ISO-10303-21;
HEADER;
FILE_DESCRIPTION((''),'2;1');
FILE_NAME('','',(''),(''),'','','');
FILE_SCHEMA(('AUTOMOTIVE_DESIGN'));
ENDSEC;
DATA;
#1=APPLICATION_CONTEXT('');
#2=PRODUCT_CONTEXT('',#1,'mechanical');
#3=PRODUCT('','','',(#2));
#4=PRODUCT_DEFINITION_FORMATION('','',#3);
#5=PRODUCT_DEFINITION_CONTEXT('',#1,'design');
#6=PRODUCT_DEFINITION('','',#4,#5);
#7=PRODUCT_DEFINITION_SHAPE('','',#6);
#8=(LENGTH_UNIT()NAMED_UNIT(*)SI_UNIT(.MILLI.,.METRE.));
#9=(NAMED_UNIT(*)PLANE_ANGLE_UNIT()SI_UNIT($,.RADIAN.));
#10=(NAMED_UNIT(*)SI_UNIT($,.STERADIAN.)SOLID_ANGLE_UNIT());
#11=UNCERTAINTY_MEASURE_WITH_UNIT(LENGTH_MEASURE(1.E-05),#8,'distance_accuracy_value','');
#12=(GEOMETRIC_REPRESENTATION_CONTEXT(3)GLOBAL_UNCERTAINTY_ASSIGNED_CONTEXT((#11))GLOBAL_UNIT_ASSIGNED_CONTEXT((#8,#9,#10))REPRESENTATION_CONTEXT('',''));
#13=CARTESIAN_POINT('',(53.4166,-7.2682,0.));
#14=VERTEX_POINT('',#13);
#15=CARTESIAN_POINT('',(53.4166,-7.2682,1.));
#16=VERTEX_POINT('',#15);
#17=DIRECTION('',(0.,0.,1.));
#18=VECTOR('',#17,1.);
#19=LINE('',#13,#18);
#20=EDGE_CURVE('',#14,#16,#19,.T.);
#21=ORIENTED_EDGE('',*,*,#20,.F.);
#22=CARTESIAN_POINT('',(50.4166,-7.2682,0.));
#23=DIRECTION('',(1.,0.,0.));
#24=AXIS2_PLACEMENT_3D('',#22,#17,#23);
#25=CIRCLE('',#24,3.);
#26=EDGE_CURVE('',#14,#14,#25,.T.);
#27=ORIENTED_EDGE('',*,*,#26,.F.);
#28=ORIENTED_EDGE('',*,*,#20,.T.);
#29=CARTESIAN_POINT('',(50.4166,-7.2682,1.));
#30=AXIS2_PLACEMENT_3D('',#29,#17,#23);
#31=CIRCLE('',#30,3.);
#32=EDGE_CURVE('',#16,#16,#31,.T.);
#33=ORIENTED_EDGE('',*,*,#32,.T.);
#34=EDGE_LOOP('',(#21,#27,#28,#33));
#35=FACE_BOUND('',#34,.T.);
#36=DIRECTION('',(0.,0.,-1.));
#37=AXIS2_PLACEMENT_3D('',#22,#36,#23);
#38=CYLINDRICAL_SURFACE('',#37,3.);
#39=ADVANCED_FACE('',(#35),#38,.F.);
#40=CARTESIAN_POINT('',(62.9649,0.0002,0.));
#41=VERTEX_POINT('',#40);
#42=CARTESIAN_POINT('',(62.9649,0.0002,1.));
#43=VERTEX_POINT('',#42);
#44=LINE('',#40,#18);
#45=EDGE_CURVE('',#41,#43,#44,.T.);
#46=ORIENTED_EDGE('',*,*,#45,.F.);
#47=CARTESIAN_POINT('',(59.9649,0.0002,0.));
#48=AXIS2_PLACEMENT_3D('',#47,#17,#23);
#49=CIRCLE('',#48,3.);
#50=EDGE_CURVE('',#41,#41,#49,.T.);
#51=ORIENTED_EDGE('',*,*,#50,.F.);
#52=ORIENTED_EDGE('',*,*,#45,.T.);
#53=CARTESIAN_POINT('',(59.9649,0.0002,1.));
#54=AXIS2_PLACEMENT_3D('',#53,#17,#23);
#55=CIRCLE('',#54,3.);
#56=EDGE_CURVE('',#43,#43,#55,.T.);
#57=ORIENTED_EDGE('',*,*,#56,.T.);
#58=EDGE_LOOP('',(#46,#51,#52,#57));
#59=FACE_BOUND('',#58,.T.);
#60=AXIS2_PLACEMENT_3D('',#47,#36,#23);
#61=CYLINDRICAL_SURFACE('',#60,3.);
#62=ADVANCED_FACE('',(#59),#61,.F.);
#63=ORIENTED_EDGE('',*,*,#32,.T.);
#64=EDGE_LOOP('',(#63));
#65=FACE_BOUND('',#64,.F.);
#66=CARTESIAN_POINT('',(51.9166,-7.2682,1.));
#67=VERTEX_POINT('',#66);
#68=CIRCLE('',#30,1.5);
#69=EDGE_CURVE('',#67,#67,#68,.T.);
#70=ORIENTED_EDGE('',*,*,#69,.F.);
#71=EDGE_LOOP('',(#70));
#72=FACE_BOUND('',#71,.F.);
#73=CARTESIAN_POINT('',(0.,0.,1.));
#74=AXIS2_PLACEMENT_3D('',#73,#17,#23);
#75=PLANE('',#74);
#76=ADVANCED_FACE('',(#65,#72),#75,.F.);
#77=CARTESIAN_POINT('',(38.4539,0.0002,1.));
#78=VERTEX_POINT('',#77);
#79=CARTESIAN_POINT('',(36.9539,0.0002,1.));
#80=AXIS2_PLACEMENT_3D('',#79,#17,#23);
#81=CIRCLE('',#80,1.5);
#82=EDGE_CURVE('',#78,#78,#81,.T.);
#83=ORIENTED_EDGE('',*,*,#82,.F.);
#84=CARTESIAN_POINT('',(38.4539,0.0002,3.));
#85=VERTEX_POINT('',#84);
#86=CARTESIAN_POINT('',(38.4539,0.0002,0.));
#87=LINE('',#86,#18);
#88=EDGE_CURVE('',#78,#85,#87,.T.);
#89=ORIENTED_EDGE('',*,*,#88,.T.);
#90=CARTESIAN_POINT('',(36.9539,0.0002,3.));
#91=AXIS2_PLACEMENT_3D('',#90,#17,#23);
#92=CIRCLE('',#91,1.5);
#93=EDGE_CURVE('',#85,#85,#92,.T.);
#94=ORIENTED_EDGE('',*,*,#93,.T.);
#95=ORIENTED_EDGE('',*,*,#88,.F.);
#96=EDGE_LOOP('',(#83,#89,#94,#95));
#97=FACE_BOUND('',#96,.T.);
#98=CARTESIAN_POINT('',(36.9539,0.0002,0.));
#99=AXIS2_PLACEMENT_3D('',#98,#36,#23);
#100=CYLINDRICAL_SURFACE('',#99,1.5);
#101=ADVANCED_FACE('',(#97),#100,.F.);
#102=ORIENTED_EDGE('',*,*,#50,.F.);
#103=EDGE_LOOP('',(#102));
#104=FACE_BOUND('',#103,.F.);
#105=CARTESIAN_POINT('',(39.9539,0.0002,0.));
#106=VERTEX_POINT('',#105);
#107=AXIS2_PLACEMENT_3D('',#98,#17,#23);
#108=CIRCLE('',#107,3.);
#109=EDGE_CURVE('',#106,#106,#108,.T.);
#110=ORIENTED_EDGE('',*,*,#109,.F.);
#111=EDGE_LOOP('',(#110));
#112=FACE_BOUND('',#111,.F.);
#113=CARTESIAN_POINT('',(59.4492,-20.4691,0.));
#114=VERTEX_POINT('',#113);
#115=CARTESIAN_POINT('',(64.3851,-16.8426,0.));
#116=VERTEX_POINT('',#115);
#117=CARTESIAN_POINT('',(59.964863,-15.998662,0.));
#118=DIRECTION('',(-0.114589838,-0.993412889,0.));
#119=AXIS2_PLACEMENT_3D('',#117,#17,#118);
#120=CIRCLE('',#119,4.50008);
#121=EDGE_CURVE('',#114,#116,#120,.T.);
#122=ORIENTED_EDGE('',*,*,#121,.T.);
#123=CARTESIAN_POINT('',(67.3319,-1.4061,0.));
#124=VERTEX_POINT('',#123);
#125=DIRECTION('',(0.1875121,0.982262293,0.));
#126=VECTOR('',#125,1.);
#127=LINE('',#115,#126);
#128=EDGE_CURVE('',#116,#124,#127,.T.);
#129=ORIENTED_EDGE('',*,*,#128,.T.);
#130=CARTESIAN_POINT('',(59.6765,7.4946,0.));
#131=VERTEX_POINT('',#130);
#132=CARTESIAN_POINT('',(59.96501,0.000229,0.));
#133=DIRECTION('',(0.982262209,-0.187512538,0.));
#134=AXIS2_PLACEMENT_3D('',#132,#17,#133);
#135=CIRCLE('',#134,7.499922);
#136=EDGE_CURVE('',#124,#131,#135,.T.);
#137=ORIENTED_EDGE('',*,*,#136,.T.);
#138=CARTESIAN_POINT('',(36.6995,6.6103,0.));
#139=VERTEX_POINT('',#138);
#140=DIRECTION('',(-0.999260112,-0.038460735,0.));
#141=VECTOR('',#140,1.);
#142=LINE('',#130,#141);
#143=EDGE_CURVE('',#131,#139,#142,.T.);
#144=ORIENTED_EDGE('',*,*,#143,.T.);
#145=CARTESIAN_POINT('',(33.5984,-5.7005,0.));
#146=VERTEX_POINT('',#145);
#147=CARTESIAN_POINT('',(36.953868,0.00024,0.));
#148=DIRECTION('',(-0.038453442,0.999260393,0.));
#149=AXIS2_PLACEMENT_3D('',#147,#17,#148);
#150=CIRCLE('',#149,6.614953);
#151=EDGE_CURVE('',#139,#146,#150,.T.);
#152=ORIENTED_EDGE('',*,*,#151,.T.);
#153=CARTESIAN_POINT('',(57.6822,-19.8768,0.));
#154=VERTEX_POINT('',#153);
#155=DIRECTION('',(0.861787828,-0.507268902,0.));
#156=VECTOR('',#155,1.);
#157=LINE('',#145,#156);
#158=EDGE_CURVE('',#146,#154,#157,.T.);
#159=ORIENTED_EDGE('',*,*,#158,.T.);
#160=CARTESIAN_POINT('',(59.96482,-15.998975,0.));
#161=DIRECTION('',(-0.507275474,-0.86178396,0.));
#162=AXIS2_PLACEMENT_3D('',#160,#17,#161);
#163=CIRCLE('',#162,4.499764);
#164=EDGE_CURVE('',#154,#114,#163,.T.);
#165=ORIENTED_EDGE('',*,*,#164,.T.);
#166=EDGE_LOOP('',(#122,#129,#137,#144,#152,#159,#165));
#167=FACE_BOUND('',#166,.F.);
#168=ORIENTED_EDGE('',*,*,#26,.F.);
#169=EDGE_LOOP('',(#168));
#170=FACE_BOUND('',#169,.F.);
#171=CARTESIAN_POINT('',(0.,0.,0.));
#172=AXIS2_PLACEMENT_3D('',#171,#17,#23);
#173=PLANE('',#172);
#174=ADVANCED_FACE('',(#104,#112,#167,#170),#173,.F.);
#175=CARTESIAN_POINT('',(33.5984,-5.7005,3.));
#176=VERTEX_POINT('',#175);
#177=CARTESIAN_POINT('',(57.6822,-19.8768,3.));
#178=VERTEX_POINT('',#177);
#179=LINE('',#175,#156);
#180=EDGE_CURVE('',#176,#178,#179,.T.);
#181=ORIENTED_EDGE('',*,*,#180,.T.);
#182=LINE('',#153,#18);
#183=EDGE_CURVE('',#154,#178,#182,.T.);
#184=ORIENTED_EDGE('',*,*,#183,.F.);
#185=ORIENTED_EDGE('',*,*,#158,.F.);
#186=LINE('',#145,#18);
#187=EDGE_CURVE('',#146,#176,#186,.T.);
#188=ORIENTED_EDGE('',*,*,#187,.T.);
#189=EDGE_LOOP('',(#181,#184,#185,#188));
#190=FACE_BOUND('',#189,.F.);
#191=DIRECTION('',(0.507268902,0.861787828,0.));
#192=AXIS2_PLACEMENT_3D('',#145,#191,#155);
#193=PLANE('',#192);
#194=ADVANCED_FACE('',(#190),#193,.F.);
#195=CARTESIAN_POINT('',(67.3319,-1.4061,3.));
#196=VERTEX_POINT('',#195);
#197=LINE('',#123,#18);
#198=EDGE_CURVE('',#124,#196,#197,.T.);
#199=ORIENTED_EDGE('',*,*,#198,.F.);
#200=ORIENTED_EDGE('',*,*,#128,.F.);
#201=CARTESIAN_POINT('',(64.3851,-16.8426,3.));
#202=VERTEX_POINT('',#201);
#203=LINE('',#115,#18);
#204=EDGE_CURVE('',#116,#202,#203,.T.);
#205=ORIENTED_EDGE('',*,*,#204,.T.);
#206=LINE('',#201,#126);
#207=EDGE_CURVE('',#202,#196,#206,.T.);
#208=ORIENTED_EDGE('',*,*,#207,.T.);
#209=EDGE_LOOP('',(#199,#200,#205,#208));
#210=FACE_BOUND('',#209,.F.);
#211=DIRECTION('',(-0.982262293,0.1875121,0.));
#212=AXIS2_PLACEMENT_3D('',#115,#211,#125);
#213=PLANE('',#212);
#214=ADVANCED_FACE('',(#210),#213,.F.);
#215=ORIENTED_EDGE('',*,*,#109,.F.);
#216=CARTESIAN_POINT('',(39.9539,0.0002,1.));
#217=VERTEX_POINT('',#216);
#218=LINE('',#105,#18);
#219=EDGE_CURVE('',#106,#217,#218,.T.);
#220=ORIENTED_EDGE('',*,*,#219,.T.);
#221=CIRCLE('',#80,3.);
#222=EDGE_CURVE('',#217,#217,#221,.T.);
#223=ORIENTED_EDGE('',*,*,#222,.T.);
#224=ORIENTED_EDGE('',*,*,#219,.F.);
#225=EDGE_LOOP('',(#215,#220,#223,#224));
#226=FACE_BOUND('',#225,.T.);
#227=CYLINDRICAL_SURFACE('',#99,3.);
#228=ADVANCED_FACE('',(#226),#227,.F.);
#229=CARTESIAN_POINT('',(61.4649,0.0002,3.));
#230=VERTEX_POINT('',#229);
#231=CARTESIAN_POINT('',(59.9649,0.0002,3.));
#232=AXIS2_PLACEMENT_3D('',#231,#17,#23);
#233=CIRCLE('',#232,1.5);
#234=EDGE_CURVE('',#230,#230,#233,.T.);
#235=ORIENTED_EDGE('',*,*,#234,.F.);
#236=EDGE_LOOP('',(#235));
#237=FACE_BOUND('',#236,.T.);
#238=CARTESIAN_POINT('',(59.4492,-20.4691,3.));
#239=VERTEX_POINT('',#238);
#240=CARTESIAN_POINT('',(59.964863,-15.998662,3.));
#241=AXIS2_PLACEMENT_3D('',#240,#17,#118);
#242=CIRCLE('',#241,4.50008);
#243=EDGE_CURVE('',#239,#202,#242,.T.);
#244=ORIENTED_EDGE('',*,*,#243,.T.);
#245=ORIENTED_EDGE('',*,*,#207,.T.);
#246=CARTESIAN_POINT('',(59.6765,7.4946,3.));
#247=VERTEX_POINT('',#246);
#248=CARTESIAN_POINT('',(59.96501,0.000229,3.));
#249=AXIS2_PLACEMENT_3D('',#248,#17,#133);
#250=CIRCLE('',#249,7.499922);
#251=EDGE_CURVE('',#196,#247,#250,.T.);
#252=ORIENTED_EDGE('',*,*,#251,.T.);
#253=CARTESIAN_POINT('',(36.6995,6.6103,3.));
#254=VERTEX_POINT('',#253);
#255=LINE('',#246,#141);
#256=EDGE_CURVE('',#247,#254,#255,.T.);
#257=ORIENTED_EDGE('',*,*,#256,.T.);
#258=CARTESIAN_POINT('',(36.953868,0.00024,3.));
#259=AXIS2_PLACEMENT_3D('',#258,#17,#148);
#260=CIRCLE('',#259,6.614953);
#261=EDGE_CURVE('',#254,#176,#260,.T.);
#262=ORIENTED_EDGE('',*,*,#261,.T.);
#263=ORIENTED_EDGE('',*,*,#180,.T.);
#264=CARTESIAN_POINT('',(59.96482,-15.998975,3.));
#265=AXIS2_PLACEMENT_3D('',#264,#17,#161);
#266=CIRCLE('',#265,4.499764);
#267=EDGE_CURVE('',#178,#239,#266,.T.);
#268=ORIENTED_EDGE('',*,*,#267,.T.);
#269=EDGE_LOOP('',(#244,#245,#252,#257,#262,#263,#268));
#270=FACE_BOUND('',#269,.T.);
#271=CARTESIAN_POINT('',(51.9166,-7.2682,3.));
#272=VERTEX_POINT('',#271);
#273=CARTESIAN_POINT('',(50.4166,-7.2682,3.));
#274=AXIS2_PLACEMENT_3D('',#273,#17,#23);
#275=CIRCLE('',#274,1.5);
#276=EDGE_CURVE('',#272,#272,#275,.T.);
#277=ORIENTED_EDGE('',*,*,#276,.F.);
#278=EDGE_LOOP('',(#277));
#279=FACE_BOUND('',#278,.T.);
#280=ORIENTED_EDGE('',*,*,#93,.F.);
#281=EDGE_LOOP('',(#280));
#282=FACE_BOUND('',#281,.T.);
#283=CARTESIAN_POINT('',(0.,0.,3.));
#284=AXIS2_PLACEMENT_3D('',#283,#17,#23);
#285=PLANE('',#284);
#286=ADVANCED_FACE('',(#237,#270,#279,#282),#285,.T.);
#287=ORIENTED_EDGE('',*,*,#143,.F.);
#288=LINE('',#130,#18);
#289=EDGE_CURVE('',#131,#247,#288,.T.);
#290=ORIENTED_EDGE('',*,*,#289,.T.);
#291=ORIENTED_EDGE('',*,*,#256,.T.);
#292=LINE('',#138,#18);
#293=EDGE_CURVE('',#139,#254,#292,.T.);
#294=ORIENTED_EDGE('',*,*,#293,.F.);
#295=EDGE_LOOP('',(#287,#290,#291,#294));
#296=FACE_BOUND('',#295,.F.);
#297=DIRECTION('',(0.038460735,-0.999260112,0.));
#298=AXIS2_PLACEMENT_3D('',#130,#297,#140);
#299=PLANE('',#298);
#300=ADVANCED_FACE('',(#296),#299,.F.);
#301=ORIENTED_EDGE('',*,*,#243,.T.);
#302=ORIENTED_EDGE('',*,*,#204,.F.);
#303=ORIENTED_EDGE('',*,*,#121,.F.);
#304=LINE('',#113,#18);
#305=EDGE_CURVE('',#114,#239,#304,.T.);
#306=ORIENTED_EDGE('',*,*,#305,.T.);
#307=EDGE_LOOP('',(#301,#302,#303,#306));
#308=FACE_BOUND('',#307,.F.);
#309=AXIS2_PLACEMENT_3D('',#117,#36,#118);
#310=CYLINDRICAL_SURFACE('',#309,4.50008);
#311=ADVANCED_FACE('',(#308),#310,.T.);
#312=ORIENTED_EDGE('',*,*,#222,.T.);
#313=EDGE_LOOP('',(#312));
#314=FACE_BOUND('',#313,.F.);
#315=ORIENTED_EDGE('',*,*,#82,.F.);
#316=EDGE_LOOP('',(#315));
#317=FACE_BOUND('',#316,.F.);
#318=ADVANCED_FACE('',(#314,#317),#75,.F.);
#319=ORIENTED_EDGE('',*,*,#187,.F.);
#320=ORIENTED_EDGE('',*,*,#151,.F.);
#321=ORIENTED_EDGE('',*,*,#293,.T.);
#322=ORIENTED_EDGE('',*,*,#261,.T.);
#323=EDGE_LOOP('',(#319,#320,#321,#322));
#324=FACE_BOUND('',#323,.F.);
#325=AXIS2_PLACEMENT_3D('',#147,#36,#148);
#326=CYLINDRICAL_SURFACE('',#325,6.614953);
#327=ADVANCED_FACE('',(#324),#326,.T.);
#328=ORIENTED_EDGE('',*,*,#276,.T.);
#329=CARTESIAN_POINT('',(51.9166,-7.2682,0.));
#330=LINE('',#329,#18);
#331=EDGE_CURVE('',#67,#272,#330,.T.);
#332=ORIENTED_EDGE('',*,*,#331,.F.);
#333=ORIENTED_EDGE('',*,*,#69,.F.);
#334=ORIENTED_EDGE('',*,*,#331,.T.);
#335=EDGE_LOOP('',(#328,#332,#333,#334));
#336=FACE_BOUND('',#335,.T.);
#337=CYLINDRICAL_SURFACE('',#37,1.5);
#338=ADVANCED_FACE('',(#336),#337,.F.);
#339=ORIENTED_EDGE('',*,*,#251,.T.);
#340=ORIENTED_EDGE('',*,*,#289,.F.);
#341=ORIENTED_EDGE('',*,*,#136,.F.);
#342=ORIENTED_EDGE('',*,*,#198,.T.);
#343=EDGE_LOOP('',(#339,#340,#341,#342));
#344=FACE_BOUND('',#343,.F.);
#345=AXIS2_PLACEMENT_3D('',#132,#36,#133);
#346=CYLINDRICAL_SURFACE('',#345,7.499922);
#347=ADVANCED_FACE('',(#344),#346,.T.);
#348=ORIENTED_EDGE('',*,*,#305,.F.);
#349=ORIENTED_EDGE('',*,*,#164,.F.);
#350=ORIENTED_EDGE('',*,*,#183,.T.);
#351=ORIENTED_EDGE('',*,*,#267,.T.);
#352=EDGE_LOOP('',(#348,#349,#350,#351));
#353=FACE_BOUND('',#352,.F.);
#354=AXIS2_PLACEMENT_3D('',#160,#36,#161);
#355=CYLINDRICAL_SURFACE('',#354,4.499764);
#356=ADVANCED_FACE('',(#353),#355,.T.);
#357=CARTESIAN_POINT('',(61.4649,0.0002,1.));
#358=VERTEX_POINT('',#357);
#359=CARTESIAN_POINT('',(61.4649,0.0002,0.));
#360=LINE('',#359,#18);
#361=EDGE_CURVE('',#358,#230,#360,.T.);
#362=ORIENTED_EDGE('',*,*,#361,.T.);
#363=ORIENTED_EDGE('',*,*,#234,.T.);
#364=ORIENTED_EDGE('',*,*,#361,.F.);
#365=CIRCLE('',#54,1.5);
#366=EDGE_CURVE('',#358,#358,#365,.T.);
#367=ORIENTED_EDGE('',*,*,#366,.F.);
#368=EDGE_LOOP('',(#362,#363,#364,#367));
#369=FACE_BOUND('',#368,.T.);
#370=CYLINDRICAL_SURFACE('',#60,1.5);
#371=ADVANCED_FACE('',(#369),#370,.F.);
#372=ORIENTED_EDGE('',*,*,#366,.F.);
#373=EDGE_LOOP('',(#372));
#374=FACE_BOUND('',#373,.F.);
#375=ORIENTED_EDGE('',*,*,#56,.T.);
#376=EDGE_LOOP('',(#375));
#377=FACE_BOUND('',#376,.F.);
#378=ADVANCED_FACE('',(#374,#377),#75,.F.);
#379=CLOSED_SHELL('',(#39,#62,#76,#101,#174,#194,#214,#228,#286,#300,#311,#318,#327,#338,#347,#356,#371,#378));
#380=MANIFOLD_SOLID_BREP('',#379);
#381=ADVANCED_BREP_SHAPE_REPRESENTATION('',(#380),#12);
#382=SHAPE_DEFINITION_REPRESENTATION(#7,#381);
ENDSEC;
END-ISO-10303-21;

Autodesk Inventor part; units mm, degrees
ref_plane "YZ Plane" through (0, 0, 0) normal (1, 0, 0) x (0, 1, 0)
ref_plane "XZ Plane" through (0, 0, 0) normal (0, 1, 0) x (-1, 0, 0)
ref_plane "XY Plane" through (0, 0, 0) normal (0, 0, 1) x (1, 0, 0)
sketch "スケッチ1" plane through (0, 0, 0) normal (0, 0, 1) x (1, 0, 0)
  circle A0 centre (59.9649, 0.0002) radius 1.5
  circle A1 centre (9.9649, 0.0002) radius 2
  circle A2 centre (-5.0351, 0.0002) radius 2
  circle A3 centre (50.4166, -7.2682) radius 1.5
  circle A4 centre (7.9649, -9.9998) radius 1.5
  arc A5 (-5.2274, 4.9965) -> (-7.9614, -4.054) centre (-5.0351, 0.0002) ccw
  line L0 (-7.9614, -4.054) -> (5.3313, -13.6486)
  arc A6 (5.3313, -13.6486) -> (7.4492, -14.4702) centre (7.9649, -9.9998) ccw
  line L1 (7.4492, -14.4702) -> (59.4492, -20.4691)
  arc A7 (59.4492, -20.4691) -> (64.3851, -16.8426) centre (59.9649, -15.9988) ccw
  line L2 (64.3851, -16.8426) -> (67.3319, -1.4061)
  arc A8 (67.3319, -1.4061) -> (59.6765, 7.4946) centre (59.9649, 0.0002) ccw
  line L3 (59.6765, 7.4946) -> (-5.2274, 4.9965)
  circle A9 centre (59.9649, 0.0002) radius 3
  circle A10 centre (50.4166, -7.2682) radius 3
  circle A11 centre (7.9649, -9.9998) radius 3
  circle A12 centre (36.9539, 0.0002) radius 1.5
  circle A13 centre (36.9539, 0.0002) radius 3
  arc A14 (36.6995, 6.6103) -> (33.5984, -5.7005) centre (36.9539, 0.0002) ccw
  line L4 (7.4492, -14.4702) -> (59.4492, -20.4691)
  arc A15 (57.6822, -19.8768) -> (59.4492, -20.4691) centre (59.9649, -15.9988) ccw
  line L5 (33.5984, -5.7005) -> (57.6822, -19.8768)
  line L6 (59.6765, 7.4946) -> (-5.2274, 4.9965)
  point P0 (0, 0)
  point P1 (0, 0)
  dimension "d0" = 6
  dimension "d1" = 6
  dimension "d2" = 6
  dimension "d3" = 6
extrude "押し出し1" add sketch "スケッチ1" along normal blind 3 contours L3 A8 L2 A7 A15 L5 A14 | A9 | A10 | A13
extrude "押し出し2" cut sketch "スケッチ1" along normal blind 1 contours A9 | A10 | A13
sketch "スケッチ2" plane through (0, 0, 0) normal (0, 0, -1) x (-1, 0, 0)
  circle A0 centre (-59.9649, 0.0002) radius 3 projected
  circle A1 centre (-50.4166, -7.2682) radius 3 projected
  circle A2 centre (-36.9539, 0.0002) radius 3 projected
  line L0 (-59.6765, 7.4946) -> (-36.6995, 6.6103) projected
  arc A3 (-59.6765, 7.4946) -> (-67.3319, -1.4061) centre (-59.9649, 0.0002) ccw projected
  line L1 (-64.3851, -16.8426) -> (-67.3319, -1.4061) projected
  arc A4 (-64.3851, -16.8426) -> (-57.6822, -19.8768) centre (-59.9649, -15.9988) ccw projected
  line L2 (-33.5984, -5.7005) -> (-57.6822, -19.8768) projected
  arc A5 (-33.5984, -5.7005) -> (-36.6995, 6.6103) centre (-36.9539, 0.0002) ccw projected
  circle A6 centre (-59.9649, 0.0002) radius 1.5 projected
  circle A7 centre (-50.4166, -7.2682) radius 1.5 projected
  circle A8 centre (-36.9539, 0.0002) radius 1.5 projected
  point P0 (0, 0)
properties part number "ツイン抑え" material "ポリカーボネート、クリア"
